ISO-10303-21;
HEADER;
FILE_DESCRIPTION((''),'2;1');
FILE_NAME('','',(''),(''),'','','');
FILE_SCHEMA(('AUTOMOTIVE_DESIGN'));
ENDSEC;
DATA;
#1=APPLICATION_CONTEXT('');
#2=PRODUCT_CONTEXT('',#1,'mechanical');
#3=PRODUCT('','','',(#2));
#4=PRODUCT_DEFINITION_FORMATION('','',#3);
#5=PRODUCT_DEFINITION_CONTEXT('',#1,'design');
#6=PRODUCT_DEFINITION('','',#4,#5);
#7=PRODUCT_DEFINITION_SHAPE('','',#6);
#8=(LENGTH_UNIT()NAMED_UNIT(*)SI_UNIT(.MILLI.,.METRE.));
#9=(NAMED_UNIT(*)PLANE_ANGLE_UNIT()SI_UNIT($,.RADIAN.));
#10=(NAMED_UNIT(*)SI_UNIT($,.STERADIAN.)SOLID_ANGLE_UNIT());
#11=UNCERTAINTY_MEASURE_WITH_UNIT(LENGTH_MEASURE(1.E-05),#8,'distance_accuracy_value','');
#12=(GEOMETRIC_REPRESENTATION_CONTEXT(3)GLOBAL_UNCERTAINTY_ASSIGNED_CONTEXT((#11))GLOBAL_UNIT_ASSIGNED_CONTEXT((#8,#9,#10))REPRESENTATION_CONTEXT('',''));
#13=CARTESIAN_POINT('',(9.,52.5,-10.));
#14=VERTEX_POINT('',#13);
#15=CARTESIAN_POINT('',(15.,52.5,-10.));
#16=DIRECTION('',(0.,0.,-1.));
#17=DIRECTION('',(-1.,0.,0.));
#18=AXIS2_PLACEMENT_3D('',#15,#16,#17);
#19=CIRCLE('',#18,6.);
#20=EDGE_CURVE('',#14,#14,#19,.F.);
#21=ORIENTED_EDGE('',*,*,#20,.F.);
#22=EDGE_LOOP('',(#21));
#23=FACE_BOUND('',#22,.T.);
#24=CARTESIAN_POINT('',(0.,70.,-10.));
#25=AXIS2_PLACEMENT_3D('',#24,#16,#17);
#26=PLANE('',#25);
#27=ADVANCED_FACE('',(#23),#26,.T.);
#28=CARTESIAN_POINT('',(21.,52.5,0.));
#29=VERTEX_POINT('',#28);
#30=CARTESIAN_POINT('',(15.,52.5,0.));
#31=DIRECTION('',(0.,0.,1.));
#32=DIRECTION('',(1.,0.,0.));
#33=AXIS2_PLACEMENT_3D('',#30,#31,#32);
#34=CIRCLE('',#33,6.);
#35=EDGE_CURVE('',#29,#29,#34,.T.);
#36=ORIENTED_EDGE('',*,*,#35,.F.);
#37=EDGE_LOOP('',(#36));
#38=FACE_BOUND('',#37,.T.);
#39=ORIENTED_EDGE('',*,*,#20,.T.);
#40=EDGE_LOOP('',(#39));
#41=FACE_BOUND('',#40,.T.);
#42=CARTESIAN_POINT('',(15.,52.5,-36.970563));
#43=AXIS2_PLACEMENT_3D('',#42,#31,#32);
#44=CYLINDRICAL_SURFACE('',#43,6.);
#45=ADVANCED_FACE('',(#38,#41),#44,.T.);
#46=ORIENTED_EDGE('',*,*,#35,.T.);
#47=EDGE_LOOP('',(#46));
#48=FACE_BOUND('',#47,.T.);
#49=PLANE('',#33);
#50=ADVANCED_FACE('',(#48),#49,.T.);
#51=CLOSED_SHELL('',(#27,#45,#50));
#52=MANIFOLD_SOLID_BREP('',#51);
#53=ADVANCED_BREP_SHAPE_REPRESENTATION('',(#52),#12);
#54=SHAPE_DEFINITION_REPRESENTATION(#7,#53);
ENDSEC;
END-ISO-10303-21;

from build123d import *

# Parameters (mm, degrees)
SKETCH1_R      = 6
EXTRUDE2_DEPTH = 10


with BuildPart() as part:
    # Sketch1 → Extrude2 (new body)
    with BuildSketch(Plane.XY):
        with Locations((15, 52.5)):
            Circle(SKETCH1_R)
    extrude(amount=-EXTRUDE2_DEPTH)


solid = part.part
